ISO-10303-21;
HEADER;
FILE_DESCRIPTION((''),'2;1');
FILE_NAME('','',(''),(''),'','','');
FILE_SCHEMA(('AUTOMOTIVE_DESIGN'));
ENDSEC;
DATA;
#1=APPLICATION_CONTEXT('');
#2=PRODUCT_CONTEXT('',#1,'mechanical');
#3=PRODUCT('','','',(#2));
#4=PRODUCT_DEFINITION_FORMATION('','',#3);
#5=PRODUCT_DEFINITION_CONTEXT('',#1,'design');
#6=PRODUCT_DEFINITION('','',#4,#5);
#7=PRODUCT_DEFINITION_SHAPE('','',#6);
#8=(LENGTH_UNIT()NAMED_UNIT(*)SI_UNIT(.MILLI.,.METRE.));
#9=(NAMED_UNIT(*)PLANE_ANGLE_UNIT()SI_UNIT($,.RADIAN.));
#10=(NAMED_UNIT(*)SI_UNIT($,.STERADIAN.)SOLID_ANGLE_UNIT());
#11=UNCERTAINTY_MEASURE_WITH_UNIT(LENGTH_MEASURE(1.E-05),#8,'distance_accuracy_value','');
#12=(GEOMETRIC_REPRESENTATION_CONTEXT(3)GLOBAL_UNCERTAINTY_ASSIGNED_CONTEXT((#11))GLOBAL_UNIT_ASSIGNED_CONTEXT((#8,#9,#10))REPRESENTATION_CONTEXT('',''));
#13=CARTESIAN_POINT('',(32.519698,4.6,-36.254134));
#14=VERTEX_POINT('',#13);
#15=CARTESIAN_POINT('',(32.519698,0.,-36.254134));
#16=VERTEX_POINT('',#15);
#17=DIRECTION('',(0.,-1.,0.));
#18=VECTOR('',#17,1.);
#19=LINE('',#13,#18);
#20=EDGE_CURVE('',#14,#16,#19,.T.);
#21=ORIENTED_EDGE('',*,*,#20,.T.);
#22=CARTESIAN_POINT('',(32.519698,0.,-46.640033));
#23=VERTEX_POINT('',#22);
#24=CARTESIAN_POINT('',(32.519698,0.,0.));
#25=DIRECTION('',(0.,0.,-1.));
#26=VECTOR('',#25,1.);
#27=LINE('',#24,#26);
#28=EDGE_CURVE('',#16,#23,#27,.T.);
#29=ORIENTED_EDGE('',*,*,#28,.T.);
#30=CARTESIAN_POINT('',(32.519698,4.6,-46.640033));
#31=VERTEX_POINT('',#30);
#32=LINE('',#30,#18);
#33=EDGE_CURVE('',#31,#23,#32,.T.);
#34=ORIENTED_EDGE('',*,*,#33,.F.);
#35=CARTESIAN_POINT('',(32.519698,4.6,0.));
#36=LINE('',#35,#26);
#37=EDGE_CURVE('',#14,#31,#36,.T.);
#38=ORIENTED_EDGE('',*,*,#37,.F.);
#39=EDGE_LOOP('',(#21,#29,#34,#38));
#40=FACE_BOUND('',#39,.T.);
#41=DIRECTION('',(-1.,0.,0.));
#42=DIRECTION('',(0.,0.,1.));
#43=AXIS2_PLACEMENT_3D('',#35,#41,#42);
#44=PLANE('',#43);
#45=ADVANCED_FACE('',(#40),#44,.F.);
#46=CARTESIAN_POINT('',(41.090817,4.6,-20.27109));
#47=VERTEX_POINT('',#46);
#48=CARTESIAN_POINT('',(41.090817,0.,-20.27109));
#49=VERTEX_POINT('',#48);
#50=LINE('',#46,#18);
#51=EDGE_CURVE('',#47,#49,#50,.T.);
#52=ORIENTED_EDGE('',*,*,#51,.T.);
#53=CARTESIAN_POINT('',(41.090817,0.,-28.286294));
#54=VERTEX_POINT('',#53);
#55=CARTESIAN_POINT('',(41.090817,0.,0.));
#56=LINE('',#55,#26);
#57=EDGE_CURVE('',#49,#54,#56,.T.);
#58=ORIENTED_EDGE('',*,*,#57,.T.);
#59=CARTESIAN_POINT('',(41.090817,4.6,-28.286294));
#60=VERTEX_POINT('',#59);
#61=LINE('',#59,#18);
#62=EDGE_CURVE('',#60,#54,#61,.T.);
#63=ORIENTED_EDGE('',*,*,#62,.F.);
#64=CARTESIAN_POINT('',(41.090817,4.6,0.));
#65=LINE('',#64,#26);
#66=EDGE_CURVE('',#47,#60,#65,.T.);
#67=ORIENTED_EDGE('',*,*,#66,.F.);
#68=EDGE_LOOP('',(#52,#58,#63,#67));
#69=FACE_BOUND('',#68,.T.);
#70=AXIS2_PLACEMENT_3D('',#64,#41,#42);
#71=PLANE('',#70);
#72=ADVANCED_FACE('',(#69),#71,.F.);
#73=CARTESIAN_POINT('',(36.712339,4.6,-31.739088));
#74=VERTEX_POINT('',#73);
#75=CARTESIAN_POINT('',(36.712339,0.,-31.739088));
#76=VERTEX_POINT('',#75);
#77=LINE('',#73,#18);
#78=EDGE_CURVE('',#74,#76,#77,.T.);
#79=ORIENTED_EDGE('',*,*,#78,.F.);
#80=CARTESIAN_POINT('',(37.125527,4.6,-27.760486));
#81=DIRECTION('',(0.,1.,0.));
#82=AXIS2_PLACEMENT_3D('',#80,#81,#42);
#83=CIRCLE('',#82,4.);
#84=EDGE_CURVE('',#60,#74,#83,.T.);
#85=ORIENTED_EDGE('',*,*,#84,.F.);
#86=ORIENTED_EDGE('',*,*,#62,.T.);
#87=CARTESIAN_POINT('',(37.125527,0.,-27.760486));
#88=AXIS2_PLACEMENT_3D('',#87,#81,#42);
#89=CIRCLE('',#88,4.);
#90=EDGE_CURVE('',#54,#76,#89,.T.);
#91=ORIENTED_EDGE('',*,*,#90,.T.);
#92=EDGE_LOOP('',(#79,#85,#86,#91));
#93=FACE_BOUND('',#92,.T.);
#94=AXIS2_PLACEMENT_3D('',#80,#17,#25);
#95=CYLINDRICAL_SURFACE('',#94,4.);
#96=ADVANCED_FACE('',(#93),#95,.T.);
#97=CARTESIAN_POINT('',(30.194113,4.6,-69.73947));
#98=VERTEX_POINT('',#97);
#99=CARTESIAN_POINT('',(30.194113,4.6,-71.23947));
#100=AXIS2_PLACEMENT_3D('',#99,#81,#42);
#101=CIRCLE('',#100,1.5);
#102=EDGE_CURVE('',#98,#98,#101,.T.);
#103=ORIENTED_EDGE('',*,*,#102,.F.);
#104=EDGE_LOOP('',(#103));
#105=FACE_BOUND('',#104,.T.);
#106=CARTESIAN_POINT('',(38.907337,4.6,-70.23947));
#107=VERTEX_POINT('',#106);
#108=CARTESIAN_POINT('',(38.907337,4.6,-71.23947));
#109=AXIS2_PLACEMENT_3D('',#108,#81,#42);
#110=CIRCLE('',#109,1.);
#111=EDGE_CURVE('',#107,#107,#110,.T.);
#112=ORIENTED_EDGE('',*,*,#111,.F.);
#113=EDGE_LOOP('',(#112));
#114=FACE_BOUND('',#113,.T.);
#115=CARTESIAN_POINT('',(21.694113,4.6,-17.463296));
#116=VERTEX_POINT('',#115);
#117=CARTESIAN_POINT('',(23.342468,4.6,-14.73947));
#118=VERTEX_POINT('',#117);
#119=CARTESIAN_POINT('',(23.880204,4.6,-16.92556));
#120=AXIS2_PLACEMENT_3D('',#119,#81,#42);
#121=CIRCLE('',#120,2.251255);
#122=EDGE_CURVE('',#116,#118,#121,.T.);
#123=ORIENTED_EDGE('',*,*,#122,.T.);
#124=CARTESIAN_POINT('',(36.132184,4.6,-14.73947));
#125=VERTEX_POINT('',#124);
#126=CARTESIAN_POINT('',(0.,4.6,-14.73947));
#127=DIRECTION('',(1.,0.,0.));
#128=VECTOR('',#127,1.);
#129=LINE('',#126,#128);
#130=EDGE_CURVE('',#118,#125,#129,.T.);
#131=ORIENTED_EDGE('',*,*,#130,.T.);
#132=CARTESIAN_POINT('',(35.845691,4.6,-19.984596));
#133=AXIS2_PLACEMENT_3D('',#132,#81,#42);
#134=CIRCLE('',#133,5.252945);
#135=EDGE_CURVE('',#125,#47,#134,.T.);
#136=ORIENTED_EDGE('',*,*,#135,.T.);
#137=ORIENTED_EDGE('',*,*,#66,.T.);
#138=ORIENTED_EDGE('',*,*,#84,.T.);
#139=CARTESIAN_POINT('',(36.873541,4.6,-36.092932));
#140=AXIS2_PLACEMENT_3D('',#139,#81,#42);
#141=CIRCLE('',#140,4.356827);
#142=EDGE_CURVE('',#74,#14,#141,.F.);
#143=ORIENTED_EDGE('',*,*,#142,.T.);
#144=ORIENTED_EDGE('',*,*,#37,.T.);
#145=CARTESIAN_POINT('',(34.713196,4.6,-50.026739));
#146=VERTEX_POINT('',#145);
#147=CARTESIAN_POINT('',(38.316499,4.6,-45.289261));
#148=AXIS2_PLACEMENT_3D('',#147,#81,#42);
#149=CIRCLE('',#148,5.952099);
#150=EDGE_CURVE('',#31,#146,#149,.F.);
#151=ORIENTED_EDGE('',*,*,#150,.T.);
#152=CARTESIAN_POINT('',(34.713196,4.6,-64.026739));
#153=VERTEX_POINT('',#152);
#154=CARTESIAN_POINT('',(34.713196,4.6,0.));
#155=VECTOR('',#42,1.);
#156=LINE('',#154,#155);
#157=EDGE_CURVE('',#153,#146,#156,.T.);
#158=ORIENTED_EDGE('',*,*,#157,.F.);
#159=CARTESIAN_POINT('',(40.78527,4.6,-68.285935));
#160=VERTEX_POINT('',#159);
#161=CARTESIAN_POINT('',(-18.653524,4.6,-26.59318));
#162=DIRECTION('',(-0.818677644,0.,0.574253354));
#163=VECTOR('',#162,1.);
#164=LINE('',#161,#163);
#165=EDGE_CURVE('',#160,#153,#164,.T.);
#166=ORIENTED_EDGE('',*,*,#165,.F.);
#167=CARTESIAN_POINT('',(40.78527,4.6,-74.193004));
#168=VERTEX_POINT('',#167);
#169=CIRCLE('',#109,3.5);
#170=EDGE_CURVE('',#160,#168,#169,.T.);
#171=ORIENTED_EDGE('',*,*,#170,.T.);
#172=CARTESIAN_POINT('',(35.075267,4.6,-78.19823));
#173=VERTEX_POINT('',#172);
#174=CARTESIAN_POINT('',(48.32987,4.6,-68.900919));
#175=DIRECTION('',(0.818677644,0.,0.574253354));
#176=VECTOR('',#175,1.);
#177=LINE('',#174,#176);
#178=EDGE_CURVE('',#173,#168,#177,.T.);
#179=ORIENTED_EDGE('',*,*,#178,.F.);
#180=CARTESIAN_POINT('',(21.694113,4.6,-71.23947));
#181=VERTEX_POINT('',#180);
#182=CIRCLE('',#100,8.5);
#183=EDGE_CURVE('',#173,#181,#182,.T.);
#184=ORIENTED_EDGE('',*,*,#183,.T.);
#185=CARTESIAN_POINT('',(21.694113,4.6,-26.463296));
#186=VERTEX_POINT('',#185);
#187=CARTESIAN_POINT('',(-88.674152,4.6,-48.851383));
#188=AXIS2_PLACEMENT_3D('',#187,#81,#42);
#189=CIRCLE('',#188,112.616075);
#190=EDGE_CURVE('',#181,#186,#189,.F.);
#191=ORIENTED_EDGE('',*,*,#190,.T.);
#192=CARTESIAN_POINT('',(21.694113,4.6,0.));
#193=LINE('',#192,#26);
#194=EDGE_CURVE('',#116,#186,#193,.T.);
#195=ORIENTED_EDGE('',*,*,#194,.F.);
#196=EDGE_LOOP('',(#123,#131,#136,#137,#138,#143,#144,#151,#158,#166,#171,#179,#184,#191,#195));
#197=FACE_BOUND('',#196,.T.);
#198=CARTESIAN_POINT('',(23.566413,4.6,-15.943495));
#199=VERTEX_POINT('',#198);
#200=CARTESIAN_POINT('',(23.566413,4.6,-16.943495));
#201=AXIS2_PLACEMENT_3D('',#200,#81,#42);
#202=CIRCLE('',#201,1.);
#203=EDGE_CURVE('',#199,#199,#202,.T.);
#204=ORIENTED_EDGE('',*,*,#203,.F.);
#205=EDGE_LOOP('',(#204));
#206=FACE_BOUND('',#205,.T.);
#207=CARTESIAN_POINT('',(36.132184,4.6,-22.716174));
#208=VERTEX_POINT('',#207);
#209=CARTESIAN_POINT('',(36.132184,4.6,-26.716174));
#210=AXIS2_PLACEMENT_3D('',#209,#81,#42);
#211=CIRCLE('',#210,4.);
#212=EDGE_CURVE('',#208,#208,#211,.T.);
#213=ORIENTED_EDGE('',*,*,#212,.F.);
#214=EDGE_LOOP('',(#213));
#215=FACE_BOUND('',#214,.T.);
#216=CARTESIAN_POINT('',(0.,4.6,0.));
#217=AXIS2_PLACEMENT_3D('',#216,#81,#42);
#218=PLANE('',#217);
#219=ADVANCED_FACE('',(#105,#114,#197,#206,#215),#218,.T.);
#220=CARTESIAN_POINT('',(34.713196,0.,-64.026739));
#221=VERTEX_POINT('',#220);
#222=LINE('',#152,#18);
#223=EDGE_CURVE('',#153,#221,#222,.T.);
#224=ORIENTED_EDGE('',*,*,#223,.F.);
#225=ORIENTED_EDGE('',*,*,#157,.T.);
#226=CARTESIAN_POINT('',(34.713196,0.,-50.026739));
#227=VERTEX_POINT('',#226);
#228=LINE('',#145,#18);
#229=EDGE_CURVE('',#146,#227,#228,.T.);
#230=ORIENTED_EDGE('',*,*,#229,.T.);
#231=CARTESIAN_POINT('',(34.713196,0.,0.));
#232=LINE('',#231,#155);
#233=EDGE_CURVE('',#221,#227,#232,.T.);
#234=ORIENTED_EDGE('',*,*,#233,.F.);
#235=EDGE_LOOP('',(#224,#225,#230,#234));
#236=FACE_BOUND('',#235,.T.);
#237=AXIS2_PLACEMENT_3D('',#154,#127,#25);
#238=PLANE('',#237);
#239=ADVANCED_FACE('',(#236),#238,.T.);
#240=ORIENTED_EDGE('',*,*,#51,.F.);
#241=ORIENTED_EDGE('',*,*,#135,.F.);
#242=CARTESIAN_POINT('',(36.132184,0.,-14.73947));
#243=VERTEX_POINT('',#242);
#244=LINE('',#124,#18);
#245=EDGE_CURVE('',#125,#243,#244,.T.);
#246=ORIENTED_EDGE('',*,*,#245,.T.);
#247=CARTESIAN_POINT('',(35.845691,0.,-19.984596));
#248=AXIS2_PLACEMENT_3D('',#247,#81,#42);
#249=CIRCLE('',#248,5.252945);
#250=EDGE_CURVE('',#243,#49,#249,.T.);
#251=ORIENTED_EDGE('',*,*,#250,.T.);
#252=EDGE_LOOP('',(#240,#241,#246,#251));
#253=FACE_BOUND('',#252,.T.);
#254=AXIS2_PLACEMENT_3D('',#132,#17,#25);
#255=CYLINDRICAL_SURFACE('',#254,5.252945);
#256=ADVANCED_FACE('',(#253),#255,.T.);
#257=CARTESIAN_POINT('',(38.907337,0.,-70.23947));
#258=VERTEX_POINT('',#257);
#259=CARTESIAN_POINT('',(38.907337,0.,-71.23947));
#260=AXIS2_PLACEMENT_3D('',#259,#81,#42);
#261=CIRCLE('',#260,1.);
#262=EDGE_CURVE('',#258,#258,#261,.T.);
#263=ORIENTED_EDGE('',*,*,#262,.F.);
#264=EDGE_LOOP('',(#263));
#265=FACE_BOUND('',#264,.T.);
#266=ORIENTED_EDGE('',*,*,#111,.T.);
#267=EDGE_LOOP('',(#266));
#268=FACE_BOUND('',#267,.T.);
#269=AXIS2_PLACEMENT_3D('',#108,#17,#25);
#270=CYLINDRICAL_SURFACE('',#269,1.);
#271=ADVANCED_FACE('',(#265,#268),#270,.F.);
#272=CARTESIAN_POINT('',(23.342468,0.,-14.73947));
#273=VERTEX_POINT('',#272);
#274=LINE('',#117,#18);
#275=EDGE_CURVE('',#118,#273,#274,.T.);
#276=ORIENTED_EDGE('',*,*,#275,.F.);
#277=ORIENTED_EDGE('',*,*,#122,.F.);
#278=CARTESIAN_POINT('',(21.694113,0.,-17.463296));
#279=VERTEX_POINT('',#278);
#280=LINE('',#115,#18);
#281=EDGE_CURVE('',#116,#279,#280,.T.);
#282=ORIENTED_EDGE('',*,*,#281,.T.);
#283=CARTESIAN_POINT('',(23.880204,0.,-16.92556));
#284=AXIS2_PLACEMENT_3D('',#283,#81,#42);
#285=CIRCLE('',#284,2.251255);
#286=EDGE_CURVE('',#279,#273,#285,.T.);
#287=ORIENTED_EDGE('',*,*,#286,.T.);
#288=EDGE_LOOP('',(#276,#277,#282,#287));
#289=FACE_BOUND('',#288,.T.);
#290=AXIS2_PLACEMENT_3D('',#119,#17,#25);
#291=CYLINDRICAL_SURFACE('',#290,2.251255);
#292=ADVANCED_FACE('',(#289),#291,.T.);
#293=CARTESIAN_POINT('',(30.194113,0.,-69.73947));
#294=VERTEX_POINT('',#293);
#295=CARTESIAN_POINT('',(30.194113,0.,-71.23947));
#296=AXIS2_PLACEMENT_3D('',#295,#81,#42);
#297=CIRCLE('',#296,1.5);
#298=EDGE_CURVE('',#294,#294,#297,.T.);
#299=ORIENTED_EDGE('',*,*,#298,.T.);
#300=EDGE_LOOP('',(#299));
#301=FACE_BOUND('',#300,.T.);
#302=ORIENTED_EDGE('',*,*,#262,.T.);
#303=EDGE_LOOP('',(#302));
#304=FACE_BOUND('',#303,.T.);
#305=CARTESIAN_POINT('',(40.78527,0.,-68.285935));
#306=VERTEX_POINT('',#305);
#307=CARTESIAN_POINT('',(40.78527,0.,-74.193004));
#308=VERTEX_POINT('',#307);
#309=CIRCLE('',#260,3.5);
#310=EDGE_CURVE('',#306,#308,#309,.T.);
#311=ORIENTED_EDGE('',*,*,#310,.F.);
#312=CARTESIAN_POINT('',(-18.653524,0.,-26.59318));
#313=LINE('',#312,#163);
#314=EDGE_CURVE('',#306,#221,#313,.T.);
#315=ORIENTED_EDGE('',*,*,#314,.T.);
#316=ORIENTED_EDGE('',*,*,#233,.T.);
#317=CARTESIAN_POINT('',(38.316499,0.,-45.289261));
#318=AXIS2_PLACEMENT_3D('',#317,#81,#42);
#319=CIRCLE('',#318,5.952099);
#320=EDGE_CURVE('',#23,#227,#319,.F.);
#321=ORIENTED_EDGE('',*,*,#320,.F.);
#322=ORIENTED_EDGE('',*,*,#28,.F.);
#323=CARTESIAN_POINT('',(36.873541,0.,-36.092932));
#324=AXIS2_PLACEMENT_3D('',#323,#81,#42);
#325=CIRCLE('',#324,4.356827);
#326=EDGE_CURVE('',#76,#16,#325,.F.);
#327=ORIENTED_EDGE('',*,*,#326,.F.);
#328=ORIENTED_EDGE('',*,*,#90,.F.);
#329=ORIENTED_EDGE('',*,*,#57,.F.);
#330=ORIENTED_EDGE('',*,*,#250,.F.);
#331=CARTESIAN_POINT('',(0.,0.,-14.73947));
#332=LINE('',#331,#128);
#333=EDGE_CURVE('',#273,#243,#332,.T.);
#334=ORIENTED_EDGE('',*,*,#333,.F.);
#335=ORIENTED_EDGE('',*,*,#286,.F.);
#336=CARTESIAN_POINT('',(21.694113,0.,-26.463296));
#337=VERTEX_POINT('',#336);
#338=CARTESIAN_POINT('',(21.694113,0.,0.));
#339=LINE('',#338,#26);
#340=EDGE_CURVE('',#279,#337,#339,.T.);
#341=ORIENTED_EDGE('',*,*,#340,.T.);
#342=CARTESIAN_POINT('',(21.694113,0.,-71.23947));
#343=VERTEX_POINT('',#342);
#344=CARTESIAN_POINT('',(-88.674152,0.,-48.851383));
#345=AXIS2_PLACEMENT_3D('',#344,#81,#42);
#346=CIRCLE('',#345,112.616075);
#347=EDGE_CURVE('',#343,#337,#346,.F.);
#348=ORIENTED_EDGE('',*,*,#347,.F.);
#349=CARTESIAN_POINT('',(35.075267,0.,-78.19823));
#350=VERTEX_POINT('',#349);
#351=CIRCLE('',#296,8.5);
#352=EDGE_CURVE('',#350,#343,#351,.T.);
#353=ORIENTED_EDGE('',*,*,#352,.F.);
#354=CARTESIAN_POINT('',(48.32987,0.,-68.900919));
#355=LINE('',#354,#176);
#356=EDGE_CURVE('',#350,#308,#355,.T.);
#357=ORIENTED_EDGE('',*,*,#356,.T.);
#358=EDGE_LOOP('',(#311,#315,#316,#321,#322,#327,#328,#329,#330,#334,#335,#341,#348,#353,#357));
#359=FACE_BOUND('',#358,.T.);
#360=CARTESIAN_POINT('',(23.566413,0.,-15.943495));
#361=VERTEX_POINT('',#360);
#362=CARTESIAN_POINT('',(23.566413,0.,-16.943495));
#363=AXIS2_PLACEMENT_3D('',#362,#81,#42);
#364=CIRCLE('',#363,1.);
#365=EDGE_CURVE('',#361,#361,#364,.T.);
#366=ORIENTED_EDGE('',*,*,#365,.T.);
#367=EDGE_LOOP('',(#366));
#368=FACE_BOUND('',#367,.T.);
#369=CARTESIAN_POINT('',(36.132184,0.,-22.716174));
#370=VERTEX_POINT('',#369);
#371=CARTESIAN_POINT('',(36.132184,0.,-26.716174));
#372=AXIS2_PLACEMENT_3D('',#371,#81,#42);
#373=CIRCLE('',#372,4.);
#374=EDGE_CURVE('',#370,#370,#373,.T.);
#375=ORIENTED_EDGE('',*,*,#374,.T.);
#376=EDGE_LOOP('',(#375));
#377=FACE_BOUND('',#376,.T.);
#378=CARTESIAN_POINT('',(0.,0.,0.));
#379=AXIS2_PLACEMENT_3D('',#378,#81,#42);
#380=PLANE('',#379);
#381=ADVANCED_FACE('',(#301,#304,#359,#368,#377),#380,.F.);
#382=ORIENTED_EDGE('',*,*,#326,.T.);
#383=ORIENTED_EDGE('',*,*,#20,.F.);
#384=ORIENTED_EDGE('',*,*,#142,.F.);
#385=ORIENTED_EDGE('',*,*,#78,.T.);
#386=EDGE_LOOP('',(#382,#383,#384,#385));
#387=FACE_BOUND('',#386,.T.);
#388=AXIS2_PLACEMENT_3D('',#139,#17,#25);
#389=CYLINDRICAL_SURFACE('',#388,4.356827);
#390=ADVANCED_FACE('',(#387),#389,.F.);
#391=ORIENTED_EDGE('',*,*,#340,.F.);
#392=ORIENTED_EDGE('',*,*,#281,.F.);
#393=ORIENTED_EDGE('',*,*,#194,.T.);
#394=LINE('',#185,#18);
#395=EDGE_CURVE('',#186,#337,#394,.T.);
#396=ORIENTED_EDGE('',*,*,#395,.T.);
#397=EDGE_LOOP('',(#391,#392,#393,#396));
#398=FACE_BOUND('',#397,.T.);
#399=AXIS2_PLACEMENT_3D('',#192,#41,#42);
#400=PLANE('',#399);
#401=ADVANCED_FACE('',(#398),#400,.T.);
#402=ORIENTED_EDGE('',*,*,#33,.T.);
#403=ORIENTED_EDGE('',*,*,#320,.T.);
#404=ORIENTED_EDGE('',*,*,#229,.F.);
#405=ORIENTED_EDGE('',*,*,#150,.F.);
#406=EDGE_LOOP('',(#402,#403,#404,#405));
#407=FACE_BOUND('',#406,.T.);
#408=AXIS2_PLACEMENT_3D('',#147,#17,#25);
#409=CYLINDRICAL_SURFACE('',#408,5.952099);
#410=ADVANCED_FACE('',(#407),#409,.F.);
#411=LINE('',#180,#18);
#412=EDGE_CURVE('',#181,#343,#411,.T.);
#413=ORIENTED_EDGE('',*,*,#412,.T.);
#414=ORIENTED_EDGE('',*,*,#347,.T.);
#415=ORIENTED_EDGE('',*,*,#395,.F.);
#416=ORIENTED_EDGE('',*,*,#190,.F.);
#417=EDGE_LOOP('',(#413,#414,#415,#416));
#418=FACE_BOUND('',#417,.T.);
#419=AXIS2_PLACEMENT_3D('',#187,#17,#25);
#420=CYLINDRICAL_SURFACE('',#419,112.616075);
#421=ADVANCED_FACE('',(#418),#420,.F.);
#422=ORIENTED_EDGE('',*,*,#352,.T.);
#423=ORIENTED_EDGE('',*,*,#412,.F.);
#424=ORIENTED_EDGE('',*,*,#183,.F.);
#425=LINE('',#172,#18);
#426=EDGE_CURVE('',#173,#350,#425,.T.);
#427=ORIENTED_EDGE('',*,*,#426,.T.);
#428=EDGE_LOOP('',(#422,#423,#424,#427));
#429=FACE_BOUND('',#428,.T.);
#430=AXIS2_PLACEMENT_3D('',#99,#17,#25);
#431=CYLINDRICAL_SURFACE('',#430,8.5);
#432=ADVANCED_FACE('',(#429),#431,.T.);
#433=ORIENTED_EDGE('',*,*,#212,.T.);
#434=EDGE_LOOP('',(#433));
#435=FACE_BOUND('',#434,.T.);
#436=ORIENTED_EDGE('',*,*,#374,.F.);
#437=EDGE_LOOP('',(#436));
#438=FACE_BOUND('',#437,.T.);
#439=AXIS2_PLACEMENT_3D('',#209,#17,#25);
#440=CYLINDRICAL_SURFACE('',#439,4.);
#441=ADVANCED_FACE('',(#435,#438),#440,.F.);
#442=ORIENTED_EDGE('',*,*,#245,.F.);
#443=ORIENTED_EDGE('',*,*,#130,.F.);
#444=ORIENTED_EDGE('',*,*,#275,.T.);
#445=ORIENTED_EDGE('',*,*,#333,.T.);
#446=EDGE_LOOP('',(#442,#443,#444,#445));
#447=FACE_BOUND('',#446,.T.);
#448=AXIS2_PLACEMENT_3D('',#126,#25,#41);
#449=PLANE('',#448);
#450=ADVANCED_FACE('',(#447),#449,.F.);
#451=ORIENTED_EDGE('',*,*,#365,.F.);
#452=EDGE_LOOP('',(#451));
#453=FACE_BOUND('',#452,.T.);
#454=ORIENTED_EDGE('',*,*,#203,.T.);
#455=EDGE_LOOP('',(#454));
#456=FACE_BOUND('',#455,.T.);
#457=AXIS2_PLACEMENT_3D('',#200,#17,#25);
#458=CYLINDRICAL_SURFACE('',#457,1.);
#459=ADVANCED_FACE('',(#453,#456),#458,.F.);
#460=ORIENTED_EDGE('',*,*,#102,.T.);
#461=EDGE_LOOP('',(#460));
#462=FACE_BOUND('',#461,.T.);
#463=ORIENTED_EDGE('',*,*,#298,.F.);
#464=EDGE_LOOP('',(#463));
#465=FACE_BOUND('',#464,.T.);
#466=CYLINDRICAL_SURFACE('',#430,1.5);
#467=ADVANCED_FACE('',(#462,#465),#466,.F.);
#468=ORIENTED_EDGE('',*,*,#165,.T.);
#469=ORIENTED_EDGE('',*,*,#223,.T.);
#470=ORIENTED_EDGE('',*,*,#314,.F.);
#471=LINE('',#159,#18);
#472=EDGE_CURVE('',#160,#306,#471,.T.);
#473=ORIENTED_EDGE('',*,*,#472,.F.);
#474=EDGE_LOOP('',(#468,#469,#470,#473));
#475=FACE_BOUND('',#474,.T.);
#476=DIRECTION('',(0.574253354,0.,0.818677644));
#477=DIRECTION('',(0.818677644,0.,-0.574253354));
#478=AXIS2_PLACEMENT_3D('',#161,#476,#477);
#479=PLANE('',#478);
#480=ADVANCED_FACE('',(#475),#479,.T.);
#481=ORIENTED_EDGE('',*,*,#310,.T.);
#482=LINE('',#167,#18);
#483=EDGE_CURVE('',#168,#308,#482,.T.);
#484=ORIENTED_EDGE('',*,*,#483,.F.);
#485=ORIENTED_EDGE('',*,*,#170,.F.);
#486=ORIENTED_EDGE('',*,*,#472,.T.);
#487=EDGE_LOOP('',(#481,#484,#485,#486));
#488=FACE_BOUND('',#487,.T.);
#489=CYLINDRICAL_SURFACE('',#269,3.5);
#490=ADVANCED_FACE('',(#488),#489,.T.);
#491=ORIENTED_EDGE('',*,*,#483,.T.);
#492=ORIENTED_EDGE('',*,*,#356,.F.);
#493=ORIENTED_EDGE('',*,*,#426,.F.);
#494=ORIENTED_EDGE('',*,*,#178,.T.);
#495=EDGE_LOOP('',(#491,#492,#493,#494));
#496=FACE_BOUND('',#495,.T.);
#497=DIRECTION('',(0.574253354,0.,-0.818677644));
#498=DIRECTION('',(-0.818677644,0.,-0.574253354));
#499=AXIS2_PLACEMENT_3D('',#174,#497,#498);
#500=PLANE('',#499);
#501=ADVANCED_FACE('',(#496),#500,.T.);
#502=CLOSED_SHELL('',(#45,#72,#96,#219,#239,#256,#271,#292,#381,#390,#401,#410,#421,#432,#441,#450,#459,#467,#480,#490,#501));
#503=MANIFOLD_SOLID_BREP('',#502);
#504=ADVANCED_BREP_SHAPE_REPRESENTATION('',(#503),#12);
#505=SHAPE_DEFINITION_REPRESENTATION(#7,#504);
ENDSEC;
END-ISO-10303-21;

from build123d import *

# Parameters (mm, degrees)
SKETCH1_R           = 1.5
SKETCH1_R_2         = 1
SKETCH1_R_3         = 4
BOSS_EXTRUDE1_DEPTH = 4.6


with BuildPart() as part:
    # Sketch1 → Boss-Extrude1 (new body)
    with BuildSketch(Plane(origin=(0, 0, 0), x_dir=(1, 0, 0), z_dir=(0, 1, 0))):
        with BuildLine():
            Line((33.841256749, 14.73946958), (36.132184269, 14.73946958))
            ThreePointArc((36.132184269, 14.73946958), (39.75713684, 16.478313044), (41.09081738, 20.271089593))
            Line((41.09081738, 20.271089593), (41.09081738, 28.286294101))
            ThreePointArc((41.09081738, 28.286294101), (39.602380799, 30.901377208), (36.712338736, 31.739088372))
            ThreePointArc((36.712338736, 31.739088372), (33.680921675, 33.128286782), (32.51969773, 36.254133959))
            Line((32.51969773, 36.254133959), (32.51969773, 46.640032758))
            ThreePointArc((32.51969773, 46.640032758), (33.320707465, 48.524930167), (34.713196388, 50.026738889))
            Line((34.713196388, 50.026738889), (34.713196388, 64.026738889))
            Line((34.713196388, 64.026738889), (40.7852702, 68.285935139))
            ThreePointArc((40.7852702, 68.285935139), (42.40733668, 71.23946958), (40.7852702, 74.193004021))
            Line((40.7852702, 74.193004021), (35.075266798, 78.198229556))
            ThreePointArc((35.075266798, 78.198229556), (26.272366536, 78.780683171), (21.694113287, 71.23946958))
            ThreePointArc((21.694113287, 71.23946958), (23.941923331, 48.851382594), (21.694113287, 26.463295609))
            Line((21.694113287, 26.463295609), (21.694113287, 17.463295609))
            ThreePointArc((21.694113287, 17.463295609), (21.954167675, 15.759997208), (23.342467746, 14.73946958))
            Line((23.342467746, 14.73946958), (33.841256749, 14.73946958))
        make_face()
        with Locations((30.194113287, 71.23946958)):
            Circle(SKETCH1_R, mode=Mode.SUBTRACT)
        with Locations((38.90733668, 71.23946958)):
            Circle(SKETCH1_R_2, mode=Mode.SUBTRACT)
        with Locations((23.566412567, 16.94349474)):
            Circle(SKETCH1_R_2, mode=Mode.SUBTRACT)
        with Locations((36.132184269, 26.716174154)):
            Circle(SKETCH1_R_3, mode=Mode.SUBTRACT)
    extrude(amount=BOSS_EXTRUDE1_DEPTH)


solid = part.part
